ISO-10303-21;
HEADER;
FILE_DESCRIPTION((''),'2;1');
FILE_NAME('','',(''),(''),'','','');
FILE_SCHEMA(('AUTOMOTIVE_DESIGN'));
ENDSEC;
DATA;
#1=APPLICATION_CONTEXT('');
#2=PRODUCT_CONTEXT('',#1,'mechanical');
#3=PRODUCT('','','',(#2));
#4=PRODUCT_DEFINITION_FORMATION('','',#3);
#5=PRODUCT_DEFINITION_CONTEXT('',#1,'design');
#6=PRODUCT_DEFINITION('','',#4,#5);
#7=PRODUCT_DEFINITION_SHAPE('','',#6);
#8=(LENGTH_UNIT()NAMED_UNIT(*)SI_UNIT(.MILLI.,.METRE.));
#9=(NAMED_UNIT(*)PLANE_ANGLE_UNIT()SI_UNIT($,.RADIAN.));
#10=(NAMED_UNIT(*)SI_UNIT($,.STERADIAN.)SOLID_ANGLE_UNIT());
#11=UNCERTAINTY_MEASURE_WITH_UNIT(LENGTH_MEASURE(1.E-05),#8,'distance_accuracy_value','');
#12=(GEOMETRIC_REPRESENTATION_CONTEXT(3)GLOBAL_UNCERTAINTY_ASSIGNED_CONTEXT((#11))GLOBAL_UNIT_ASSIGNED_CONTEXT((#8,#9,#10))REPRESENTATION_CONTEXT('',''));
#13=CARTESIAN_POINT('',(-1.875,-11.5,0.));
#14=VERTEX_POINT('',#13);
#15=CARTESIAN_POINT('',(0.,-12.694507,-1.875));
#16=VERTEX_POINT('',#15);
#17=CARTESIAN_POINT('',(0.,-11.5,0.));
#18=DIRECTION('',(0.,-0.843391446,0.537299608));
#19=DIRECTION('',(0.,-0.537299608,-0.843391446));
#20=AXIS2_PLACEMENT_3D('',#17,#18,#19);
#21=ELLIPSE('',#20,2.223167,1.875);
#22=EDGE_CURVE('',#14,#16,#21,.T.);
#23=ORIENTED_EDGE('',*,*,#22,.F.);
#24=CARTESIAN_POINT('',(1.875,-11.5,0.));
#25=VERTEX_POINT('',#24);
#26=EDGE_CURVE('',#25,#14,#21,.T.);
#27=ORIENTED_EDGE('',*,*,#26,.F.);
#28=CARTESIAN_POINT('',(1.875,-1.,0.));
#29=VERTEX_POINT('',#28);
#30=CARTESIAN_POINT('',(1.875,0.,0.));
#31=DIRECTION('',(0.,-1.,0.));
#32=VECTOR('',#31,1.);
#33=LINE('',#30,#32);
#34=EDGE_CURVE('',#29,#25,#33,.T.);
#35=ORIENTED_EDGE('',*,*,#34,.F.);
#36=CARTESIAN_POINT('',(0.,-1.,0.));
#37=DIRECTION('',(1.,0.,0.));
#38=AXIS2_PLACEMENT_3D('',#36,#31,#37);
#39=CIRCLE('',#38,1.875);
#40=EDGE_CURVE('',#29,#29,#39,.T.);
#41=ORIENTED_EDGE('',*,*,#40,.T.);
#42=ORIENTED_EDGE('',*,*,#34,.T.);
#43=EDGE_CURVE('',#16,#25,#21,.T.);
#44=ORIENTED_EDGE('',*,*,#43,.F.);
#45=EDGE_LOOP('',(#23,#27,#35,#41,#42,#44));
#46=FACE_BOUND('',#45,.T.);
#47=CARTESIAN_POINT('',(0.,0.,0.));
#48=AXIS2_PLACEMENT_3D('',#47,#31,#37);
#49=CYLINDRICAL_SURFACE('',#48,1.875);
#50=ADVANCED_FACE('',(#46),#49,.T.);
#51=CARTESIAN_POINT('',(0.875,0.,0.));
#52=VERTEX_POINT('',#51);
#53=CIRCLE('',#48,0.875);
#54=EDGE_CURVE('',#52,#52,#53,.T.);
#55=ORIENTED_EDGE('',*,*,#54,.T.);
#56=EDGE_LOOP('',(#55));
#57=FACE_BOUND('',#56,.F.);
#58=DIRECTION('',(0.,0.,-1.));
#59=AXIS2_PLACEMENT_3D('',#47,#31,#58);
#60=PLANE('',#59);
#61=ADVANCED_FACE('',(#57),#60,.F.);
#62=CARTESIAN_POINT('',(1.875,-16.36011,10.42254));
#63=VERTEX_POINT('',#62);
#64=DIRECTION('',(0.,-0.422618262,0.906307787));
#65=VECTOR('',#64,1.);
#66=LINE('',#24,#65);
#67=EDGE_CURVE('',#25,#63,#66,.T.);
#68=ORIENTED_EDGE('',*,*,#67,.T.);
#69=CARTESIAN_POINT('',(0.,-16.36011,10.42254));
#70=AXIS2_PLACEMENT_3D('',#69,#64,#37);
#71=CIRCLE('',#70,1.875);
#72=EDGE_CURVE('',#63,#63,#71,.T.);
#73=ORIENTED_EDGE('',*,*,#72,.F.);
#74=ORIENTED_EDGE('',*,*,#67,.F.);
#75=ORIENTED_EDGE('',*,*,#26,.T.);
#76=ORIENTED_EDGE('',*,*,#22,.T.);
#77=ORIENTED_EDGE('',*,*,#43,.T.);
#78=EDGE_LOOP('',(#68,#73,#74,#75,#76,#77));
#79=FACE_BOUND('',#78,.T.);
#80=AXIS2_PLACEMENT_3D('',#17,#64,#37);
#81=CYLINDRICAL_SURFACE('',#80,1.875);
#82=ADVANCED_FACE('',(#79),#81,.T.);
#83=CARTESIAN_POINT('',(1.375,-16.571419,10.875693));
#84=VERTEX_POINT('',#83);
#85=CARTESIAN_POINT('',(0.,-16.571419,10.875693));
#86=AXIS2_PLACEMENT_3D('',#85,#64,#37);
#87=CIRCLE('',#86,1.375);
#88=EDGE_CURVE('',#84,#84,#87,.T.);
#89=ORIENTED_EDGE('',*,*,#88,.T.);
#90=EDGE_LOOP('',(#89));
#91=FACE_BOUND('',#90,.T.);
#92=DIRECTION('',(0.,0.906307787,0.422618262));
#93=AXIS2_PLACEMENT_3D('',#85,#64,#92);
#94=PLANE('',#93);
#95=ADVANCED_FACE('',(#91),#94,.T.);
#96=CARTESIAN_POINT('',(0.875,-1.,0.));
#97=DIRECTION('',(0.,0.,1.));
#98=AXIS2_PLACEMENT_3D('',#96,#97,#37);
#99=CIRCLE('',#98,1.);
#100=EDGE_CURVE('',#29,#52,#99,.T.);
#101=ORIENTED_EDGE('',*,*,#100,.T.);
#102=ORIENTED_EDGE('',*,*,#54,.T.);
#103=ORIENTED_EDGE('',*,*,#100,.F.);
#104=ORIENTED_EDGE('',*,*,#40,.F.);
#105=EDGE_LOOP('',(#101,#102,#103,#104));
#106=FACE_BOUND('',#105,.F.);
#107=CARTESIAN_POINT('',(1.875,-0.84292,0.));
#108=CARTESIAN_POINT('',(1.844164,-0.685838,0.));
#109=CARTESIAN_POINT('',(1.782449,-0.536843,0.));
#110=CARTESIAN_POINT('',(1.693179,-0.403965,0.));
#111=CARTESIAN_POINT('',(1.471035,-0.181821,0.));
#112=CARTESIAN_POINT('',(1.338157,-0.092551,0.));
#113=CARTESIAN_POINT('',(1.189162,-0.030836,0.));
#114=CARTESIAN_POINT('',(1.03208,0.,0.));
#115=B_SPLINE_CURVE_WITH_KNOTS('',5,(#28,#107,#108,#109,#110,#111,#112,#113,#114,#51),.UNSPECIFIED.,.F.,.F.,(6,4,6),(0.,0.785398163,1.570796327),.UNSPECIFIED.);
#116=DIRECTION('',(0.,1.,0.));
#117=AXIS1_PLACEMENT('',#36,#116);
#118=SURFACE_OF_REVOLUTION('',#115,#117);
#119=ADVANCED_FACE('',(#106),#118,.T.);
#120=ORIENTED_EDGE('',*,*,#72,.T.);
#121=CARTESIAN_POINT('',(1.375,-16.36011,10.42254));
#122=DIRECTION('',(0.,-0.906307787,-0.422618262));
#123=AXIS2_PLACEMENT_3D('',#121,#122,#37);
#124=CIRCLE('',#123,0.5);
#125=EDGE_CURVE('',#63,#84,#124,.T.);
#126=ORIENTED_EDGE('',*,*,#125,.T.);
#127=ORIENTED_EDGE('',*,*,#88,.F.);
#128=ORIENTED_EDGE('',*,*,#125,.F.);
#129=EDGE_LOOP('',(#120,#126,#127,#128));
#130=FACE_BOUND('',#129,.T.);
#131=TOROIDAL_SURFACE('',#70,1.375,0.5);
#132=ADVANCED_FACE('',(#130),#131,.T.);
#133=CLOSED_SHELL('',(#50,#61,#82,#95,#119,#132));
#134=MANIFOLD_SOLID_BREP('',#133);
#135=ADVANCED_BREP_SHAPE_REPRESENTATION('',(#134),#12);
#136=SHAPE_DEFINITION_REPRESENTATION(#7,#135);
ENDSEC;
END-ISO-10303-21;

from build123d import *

# Parameters (mm, degrees)
F0_R = 1.875
F3_R = 1
F4_R = 0.5


with BuildPart() as f2:
    # F2: sweep along a path in F1
    with BuildLine(Plane.YZ) as f2_path:
        Line((0, 0), (-11.5, 0))
        Line((-11.5, 0), (-16.5714191409, 10.8756934444))
    # F0 (on Front) → F2 (sweep)
    with BuildSketch(Plane.XZ):
        Circle(F0_R)
    sweep(path=f2_path.line, transition=Transition.RIGHT)

    # F3
    f3_edges = [f2.edges().sort_by_distance(p)[0] for p in [
        (-1.875, 0, 0),
    ]]
    fillet(f3_edges, radius=F3_R)

    # F4
    f4_edges = [f2.edges().sort_by_distance(p)[0] for p in [
        (-1.875, -16.571419, 10.875693),
    ]]
    fillet(f4_edges, radius=F4_R)


solid = f2.part
